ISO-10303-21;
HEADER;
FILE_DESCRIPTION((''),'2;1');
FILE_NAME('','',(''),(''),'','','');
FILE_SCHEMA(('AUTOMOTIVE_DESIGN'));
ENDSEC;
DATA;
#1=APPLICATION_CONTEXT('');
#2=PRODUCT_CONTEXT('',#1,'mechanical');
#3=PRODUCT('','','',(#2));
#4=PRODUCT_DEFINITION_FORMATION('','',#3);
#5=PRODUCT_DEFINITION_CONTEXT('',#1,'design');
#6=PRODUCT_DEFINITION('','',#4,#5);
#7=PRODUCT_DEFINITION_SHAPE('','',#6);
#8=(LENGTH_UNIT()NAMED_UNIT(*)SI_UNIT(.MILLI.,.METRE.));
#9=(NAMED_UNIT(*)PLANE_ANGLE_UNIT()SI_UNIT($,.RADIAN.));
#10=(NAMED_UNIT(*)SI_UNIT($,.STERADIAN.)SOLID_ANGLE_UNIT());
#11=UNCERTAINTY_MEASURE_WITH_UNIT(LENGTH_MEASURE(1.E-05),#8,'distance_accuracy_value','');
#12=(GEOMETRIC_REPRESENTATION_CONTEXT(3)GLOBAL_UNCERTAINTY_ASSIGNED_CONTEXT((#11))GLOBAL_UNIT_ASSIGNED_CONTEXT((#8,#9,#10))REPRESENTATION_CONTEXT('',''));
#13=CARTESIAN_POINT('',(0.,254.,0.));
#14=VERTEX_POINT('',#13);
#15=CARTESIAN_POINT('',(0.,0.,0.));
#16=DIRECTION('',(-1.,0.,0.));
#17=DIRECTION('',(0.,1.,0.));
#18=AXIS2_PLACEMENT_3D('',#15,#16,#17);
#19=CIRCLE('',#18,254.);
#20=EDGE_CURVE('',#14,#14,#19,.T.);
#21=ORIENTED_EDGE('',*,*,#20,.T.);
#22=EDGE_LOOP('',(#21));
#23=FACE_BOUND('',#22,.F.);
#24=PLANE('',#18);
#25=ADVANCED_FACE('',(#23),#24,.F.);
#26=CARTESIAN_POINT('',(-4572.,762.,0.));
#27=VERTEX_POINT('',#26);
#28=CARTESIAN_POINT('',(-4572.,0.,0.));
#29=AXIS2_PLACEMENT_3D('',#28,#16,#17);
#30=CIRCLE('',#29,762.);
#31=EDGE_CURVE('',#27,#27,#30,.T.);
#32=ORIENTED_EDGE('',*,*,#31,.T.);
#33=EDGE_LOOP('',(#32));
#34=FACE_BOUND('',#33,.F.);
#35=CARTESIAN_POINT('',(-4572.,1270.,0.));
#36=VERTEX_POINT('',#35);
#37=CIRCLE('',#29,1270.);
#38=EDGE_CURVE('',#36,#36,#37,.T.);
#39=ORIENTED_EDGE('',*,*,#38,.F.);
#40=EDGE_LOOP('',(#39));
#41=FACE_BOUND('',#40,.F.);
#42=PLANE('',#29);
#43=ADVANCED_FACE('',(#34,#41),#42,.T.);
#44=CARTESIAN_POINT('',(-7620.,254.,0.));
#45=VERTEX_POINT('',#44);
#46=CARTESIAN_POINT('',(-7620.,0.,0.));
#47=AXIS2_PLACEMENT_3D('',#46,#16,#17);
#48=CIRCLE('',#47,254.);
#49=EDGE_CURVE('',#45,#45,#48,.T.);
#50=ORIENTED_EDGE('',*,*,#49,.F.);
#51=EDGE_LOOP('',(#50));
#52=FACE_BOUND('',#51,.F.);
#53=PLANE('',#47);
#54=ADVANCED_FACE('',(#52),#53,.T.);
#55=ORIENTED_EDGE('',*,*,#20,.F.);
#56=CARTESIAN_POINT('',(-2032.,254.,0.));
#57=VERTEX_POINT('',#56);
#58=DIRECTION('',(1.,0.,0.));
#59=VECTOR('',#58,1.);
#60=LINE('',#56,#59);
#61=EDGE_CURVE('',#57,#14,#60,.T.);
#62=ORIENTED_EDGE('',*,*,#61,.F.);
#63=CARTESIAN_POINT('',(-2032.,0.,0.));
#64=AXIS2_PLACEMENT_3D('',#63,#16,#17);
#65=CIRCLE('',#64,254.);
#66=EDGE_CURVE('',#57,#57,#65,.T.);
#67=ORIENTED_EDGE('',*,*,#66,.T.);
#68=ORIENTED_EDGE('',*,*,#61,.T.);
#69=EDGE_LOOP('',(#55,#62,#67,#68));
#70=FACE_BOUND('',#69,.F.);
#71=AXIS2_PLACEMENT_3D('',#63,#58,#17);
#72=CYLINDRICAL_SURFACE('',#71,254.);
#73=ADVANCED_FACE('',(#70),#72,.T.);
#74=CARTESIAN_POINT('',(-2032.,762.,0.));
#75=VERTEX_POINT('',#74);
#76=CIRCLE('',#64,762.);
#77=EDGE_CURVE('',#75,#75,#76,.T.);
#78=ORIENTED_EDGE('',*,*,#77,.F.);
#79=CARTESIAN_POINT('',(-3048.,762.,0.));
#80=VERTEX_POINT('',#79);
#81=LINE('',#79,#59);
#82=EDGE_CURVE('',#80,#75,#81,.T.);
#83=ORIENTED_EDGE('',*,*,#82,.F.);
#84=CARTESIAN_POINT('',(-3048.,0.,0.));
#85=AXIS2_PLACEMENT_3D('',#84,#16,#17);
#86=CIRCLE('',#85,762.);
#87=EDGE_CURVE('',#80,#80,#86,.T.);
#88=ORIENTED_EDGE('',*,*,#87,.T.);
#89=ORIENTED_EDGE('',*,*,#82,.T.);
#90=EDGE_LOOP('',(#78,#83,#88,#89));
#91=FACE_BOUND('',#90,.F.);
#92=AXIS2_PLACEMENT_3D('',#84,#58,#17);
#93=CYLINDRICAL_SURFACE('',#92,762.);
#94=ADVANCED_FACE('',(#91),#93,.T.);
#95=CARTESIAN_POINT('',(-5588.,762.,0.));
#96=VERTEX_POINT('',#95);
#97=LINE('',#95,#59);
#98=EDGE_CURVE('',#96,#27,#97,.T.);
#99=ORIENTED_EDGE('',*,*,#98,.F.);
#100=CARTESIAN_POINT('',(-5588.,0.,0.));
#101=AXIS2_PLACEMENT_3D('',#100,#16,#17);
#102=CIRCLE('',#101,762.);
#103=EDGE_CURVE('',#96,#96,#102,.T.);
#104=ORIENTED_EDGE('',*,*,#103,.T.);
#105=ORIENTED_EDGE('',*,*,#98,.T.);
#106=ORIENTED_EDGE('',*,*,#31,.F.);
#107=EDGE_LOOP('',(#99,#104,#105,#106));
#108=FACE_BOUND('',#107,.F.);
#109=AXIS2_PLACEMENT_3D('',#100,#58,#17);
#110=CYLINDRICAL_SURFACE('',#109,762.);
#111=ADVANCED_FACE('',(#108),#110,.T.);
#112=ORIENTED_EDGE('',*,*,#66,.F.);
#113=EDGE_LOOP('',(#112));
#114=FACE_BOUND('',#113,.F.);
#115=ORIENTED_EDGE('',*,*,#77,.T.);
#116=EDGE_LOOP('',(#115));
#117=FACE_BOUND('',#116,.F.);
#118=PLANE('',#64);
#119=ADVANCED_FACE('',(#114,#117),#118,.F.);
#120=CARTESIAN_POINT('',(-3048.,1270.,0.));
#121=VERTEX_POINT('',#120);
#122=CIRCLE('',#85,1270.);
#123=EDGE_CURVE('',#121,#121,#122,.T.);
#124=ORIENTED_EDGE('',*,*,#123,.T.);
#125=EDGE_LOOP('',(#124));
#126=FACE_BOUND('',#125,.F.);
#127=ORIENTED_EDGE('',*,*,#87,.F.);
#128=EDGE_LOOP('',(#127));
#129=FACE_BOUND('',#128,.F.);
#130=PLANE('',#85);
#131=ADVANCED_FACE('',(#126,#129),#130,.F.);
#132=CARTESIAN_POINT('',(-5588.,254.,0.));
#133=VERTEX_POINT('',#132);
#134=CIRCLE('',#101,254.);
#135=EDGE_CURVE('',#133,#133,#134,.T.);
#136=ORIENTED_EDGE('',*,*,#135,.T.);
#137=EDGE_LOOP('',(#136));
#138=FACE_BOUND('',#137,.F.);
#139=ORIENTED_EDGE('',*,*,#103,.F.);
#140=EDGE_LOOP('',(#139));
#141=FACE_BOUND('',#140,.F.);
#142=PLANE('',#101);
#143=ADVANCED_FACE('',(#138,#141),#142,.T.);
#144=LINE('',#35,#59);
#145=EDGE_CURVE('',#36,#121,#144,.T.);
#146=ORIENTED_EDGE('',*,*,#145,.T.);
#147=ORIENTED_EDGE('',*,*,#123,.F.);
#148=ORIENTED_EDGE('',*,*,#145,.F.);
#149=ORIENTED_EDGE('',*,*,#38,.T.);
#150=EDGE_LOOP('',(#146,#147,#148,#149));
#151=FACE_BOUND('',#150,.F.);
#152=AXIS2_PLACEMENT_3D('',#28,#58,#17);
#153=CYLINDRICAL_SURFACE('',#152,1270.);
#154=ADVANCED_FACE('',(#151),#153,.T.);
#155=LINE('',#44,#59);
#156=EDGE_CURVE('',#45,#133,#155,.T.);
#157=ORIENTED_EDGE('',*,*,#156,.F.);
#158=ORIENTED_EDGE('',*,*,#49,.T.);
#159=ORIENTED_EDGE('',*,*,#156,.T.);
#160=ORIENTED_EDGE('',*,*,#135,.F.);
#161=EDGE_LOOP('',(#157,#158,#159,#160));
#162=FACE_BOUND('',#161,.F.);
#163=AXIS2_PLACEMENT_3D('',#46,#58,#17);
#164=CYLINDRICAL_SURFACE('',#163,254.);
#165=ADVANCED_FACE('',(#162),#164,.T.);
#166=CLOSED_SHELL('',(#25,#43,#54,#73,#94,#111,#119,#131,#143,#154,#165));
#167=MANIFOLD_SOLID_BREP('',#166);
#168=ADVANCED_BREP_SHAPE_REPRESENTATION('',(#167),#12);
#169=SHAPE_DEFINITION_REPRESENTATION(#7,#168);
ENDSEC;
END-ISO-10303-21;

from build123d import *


with BuildPart() as part:
    # Sketch1 → Revolve1 (revolve)
    with BuildSketch(Plane.XY, mode=Mode.PRIVATE) as revolve1_sk:
        Polygon((-7620, 0), (-7620, -254), (-5588, -254), (-5588, -762), (-4572, -762), (-4572, -1270), (-3048, -1270), (-3048, -762), (-2032, -762), (-2032, -254), (0, -254), (0, 0), align=None)
    revolve(revolve1_sk.sketch.rotate(Axis((0, 0, 0), (-1, 0, 0)), 180), axis=Axis((0, 0, 0), (-1, 0, 0)))  # turned: the seam where the file's is


solid = part.part
